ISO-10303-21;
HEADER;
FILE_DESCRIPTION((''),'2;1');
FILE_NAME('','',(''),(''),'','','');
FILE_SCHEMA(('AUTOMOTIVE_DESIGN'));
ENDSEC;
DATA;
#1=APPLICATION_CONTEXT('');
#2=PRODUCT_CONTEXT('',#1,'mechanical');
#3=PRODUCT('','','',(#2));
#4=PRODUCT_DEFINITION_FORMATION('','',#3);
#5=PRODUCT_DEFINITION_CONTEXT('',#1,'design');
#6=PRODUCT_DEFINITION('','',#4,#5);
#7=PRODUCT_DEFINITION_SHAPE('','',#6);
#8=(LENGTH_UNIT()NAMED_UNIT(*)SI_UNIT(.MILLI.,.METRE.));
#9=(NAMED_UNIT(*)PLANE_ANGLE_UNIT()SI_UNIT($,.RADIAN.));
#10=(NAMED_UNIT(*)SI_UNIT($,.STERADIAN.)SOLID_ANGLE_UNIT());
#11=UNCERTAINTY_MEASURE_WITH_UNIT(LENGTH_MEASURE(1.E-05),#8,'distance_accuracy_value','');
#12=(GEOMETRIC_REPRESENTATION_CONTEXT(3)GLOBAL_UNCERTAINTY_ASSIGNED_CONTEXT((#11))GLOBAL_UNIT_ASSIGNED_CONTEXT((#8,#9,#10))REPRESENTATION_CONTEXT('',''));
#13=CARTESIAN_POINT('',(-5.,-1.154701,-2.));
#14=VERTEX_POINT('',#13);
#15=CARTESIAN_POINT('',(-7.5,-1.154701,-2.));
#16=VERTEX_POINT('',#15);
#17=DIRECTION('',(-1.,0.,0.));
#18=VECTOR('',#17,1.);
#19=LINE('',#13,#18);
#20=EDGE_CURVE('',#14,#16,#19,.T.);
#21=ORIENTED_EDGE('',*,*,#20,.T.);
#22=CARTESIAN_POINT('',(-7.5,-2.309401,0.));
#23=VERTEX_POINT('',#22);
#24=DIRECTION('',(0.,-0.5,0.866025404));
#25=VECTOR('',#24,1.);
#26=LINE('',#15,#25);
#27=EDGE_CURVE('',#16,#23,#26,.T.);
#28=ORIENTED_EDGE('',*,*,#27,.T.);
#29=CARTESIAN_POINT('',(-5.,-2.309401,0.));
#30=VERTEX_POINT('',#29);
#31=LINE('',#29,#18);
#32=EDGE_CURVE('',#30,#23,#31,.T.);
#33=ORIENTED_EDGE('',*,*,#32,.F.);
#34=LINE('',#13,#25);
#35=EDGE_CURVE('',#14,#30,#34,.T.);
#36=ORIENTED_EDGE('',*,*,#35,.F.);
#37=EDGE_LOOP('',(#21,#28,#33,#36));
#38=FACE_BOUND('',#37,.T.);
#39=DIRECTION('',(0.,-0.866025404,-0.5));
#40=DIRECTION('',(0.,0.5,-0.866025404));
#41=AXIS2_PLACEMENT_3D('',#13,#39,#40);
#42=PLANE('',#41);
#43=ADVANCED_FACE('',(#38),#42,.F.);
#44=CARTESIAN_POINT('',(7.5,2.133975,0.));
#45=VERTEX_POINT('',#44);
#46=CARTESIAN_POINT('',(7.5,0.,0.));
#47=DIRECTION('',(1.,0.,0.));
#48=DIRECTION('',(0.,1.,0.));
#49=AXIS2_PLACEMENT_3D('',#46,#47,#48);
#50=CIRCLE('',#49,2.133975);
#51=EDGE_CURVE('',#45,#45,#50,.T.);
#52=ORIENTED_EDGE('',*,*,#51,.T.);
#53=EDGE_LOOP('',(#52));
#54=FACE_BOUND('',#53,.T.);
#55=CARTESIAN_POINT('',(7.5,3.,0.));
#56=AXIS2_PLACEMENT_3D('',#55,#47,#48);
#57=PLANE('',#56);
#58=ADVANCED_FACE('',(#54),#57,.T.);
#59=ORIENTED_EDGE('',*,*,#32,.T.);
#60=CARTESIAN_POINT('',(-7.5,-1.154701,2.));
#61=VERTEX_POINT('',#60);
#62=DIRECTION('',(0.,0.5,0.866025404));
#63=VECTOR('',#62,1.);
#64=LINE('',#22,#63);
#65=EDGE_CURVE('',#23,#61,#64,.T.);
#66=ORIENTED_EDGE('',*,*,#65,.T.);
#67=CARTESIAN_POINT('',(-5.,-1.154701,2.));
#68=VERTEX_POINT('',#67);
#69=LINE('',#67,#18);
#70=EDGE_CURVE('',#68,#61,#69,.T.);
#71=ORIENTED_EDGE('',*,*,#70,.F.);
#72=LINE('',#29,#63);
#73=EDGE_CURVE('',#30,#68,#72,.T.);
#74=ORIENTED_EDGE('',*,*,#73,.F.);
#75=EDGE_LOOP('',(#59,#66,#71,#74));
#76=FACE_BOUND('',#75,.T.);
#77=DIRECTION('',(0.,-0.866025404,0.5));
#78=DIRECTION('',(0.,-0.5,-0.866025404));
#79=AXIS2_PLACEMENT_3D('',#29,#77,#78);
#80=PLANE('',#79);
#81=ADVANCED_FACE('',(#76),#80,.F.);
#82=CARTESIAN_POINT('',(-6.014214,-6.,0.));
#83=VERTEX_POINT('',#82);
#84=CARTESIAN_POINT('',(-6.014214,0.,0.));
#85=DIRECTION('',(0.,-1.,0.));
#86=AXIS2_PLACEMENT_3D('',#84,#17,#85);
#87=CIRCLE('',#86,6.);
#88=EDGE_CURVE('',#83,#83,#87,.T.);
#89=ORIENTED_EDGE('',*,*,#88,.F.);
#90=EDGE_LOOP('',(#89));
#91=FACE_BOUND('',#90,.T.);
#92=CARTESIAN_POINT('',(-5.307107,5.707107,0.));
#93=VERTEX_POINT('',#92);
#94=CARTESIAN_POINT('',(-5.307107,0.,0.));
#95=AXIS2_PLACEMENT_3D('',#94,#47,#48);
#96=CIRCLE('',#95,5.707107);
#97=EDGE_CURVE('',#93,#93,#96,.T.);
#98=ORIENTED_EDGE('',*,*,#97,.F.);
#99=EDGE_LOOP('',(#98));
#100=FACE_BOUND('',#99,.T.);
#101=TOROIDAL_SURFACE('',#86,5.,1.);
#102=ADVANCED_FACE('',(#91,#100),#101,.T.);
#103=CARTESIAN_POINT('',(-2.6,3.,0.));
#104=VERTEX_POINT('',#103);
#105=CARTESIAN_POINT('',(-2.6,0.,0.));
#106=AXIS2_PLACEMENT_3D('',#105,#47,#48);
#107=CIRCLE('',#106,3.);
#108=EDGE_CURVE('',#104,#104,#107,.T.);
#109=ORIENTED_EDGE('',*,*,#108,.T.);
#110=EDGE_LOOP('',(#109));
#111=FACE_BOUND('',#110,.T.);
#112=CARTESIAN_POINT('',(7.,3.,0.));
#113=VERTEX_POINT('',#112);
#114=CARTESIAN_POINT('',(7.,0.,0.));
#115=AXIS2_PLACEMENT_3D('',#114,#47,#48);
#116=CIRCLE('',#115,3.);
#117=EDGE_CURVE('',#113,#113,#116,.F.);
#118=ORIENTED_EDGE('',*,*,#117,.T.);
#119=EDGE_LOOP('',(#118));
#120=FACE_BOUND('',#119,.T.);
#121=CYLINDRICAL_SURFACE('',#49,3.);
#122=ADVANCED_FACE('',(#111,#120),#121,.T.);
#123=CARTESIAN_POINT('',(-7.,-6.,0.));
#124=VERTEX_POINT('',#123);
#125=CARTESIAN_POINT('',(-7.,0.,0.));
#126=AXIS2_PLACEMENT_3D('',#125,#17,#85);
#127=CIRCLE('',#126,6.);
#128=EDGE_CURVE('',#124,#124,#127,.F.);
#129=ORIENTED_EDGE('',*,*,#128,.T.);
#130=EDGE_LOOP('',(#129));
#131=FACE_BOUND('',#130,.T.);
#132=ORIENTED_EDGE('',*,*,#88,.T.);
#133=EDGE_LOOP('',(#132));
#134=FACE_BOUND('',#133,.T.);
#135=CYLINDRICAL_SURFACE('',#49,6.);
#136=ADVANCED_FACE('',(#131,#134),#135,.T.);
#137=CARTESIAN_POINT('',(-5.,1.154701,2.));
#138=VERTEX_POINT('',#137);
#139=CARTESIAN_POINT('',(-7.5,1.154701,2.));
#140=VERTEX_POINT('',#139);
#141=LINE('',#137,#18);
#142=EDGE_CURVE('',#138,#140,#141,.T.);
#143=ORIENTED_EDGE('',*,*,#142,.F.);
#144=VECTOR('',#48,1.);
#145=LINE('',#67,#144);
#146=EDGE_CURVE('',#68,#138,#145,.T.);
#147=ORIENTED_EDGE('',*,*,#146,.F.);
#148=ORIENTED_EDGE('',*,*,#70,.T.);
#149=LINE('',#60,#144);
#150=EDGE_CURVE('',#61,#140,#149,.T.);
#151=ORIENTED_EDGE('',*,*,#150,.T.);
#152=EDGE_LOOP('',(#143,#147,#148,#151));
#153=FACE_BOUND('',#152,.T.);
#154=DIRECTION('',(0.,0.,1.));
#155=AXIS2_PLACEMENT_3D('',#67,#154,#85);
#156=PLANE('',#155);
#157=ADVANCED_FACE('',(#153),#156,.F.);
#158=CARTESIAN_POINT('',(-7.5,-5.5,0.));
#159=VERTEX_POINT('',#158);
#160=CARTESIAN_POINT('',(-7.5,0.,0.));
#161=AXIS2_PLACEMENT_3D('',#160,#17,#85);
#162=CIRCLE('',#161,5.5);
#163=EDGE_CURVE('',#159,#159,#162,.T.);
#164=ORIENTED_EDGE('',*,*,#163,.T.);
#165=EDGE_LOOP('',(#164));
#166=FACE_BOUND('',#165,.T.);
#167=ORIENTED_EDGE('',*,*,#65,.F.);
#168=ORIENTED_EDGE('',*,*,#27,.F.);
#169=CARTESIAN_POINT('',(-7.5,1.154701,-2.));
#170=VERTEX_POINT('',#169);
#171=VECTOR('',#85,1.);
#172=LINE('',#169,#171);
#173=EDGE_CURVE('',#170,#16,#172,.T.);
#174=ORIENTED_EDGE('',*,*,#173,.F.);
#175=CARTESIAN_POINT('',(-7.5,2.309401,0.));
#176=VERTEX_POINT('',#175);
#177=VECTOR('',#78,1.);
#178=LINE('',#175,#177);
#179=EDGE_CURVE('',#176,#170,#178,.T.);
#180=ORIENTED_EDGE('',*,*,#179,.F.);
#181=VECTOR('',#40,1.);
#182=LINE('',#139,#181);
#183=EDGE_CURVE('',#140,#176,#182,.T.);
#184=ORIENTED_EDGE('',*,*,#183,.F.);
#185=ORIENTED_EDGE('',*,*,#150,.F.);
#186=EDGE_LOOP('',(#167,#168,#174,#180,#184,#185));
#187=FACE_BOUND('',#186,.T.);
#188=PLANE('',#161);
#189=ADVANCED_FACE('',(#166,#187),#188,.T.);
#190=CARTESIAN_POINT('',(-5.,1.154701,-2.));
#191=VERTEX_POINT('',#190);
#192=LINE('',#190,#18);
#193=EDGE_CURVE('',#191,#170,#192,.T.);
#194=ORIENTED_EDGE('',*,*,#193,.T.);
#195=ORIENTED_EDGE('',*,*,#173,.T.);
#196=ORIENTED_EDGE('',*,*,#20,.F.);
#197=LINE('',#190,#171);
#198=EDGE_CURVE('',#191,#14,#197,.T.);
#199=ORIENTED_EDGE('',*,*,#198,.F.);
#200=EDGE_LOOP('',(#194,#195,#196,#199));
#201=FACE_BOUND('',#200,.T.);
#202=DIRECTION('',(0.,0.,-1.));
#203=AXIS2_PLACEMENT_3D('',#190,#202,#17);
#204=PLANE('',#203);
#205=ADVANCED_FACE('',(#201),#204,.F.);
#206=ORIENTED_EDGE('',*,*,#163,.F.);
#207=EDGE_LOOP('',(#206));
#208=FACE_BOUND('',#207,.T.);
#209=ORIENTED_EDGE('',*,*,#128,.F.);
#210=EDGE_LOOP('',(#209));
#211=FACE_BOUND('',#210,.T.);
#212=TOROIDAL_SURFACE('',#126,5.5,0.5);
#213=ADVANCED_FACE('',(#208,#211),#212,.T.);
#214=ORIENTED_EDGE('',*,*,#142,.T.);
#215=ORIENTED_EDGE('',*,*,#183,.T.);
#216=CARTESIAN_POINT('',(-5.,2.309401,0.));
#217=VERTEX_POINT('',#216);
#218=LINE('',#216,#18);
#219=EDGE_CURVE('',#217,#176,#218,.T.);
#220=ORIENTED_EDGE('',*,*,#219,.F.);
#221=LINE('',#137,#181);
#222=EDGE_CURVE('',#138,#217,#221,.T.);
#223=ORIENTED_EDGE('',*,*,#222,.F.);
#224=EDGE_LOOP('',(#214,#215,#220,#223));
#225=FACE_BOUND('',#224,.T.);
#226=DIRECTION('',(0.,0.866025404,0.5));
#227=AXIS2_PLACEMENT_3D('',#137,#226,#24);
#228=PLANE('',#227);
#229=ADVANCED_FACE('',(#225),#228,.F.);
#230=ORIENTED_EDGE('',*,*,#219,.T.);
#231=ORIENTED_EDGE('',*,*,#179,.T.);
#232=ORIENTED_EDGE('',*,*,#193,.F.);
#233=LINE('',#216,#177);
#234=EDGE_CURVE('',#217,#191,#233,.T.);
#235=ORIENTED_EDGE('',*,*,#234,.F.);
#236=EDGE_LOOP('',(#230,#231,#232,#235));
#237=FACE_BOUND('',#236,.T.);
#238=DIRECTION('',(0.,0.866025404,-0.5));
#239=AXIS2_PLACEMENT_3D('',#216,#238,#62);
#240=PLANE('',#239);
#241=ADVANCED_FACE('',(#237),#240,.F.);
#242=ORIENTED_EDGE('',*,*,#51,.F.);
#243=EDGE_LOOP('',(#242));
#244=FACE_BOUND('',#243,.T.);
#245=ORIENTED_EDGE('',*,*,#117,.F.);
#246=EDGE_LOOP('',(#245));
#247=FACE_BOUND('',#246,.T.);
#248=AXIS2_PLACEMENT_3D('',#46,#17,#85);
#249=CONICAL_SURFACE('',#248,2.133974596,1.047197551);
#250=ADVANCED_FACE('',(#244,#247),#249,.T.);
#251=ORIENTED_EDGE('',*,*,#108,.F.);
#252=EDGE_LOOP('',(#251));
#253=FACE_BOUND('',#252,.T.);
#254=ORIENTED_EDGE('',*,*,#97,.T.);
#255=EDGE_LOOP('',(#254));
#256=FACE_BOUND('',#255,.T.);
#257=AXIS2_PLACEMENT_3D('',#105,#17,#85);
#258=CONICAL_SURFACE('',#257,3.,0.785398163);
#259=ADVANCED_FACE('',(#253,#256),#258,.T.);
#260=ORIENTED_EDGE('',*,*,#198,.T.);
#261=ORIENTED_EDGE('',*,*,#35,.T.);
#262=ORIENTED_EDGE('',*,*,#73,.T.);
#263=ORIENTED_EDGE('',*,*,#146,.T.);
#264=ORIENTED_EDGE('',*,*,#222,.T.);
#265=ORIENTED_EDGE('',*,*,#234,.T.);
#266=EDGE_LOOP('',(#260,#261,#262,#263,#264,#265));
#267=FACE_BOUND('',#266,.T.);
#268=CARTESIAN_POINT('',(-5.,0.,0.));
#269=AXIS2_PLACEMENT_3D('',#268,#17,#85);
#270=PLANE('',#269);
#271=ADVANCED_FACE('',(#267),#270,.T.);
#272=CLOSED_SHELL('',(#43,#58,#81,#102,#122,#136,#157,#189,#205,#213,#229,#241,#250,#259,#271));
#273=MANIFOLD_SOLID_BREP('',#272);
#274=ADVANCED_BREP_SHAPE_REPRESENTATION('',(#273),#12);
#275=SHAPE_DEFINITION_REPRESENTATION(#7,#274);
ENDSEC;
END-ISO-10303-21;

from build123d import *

# Parameters (mm, degrees)
FILLET_1_R          = 0.5
FILLET_2_R          = 1
CUT_EXTRUDE_1_DEPTH = 2.5
CHAMFER_1_SIZE      = 0.5
CHAMFER_1_SIZE2     = 0.866025404


with BuildPart() as part:
    # 草图1 → 旋转1 (revolve)
    with BuildSketch(Plane.XY):
        Polygon((7.5, 0), (-7.5, 0), (-7.5, 6), (-5.6, 6), (-2.6, 3), (7.5, 3), align=None)
    revolve(axis=Axis((7.5, 0, 0), (-1, 0, 0)))

    # 圆角1
    fillet_1_edges = [part.edges().sort_by_distance(p)[0] for p in [
        (-7.5, -6, 0),
    ]]
    fillet(fillet_1_edges, radius=FILLET_1_R)

    # 圆角2
    fillet_2_edges = [part.edges().sort_by_distance(p)[0] for p in [
        (-5.6, -6, 0),
    ]]
    fillet(fillet_2_edges, radius=FILLET_2_R)

    # 草图2 → 切除-拉伸1 (cut)
    with BuildSketch(Plane.ZY.offset(7.5)):
        Polygon((0, 2.309401077), (-2, 1.154700538), (-2, -1.154700538), (0, -2.309401077), (2, -1.154700538), (2, 1.154700538), align=None)
    extrude(amount=-CUT_EXTRUDE_1_DEPTH, mode=Mode.SUBTRACT)

    # 倒角1
    chamfer_1_edges = [part.edges().sort_by_distance(p)[0] for p in [
        (7.5, -3, 0),
    ]]
    chamfer_1_side = [part.faces().sort_by_distance(p)[0] for p in [
        (2.45, -3, 0),
    ]]
    chamfer(chamfer_1_edges, length=CHAMFER_1_SIZE, length2=CHAMFER_1_SIZE2, reference=chamfer_1_side[0])


solid = part.part
